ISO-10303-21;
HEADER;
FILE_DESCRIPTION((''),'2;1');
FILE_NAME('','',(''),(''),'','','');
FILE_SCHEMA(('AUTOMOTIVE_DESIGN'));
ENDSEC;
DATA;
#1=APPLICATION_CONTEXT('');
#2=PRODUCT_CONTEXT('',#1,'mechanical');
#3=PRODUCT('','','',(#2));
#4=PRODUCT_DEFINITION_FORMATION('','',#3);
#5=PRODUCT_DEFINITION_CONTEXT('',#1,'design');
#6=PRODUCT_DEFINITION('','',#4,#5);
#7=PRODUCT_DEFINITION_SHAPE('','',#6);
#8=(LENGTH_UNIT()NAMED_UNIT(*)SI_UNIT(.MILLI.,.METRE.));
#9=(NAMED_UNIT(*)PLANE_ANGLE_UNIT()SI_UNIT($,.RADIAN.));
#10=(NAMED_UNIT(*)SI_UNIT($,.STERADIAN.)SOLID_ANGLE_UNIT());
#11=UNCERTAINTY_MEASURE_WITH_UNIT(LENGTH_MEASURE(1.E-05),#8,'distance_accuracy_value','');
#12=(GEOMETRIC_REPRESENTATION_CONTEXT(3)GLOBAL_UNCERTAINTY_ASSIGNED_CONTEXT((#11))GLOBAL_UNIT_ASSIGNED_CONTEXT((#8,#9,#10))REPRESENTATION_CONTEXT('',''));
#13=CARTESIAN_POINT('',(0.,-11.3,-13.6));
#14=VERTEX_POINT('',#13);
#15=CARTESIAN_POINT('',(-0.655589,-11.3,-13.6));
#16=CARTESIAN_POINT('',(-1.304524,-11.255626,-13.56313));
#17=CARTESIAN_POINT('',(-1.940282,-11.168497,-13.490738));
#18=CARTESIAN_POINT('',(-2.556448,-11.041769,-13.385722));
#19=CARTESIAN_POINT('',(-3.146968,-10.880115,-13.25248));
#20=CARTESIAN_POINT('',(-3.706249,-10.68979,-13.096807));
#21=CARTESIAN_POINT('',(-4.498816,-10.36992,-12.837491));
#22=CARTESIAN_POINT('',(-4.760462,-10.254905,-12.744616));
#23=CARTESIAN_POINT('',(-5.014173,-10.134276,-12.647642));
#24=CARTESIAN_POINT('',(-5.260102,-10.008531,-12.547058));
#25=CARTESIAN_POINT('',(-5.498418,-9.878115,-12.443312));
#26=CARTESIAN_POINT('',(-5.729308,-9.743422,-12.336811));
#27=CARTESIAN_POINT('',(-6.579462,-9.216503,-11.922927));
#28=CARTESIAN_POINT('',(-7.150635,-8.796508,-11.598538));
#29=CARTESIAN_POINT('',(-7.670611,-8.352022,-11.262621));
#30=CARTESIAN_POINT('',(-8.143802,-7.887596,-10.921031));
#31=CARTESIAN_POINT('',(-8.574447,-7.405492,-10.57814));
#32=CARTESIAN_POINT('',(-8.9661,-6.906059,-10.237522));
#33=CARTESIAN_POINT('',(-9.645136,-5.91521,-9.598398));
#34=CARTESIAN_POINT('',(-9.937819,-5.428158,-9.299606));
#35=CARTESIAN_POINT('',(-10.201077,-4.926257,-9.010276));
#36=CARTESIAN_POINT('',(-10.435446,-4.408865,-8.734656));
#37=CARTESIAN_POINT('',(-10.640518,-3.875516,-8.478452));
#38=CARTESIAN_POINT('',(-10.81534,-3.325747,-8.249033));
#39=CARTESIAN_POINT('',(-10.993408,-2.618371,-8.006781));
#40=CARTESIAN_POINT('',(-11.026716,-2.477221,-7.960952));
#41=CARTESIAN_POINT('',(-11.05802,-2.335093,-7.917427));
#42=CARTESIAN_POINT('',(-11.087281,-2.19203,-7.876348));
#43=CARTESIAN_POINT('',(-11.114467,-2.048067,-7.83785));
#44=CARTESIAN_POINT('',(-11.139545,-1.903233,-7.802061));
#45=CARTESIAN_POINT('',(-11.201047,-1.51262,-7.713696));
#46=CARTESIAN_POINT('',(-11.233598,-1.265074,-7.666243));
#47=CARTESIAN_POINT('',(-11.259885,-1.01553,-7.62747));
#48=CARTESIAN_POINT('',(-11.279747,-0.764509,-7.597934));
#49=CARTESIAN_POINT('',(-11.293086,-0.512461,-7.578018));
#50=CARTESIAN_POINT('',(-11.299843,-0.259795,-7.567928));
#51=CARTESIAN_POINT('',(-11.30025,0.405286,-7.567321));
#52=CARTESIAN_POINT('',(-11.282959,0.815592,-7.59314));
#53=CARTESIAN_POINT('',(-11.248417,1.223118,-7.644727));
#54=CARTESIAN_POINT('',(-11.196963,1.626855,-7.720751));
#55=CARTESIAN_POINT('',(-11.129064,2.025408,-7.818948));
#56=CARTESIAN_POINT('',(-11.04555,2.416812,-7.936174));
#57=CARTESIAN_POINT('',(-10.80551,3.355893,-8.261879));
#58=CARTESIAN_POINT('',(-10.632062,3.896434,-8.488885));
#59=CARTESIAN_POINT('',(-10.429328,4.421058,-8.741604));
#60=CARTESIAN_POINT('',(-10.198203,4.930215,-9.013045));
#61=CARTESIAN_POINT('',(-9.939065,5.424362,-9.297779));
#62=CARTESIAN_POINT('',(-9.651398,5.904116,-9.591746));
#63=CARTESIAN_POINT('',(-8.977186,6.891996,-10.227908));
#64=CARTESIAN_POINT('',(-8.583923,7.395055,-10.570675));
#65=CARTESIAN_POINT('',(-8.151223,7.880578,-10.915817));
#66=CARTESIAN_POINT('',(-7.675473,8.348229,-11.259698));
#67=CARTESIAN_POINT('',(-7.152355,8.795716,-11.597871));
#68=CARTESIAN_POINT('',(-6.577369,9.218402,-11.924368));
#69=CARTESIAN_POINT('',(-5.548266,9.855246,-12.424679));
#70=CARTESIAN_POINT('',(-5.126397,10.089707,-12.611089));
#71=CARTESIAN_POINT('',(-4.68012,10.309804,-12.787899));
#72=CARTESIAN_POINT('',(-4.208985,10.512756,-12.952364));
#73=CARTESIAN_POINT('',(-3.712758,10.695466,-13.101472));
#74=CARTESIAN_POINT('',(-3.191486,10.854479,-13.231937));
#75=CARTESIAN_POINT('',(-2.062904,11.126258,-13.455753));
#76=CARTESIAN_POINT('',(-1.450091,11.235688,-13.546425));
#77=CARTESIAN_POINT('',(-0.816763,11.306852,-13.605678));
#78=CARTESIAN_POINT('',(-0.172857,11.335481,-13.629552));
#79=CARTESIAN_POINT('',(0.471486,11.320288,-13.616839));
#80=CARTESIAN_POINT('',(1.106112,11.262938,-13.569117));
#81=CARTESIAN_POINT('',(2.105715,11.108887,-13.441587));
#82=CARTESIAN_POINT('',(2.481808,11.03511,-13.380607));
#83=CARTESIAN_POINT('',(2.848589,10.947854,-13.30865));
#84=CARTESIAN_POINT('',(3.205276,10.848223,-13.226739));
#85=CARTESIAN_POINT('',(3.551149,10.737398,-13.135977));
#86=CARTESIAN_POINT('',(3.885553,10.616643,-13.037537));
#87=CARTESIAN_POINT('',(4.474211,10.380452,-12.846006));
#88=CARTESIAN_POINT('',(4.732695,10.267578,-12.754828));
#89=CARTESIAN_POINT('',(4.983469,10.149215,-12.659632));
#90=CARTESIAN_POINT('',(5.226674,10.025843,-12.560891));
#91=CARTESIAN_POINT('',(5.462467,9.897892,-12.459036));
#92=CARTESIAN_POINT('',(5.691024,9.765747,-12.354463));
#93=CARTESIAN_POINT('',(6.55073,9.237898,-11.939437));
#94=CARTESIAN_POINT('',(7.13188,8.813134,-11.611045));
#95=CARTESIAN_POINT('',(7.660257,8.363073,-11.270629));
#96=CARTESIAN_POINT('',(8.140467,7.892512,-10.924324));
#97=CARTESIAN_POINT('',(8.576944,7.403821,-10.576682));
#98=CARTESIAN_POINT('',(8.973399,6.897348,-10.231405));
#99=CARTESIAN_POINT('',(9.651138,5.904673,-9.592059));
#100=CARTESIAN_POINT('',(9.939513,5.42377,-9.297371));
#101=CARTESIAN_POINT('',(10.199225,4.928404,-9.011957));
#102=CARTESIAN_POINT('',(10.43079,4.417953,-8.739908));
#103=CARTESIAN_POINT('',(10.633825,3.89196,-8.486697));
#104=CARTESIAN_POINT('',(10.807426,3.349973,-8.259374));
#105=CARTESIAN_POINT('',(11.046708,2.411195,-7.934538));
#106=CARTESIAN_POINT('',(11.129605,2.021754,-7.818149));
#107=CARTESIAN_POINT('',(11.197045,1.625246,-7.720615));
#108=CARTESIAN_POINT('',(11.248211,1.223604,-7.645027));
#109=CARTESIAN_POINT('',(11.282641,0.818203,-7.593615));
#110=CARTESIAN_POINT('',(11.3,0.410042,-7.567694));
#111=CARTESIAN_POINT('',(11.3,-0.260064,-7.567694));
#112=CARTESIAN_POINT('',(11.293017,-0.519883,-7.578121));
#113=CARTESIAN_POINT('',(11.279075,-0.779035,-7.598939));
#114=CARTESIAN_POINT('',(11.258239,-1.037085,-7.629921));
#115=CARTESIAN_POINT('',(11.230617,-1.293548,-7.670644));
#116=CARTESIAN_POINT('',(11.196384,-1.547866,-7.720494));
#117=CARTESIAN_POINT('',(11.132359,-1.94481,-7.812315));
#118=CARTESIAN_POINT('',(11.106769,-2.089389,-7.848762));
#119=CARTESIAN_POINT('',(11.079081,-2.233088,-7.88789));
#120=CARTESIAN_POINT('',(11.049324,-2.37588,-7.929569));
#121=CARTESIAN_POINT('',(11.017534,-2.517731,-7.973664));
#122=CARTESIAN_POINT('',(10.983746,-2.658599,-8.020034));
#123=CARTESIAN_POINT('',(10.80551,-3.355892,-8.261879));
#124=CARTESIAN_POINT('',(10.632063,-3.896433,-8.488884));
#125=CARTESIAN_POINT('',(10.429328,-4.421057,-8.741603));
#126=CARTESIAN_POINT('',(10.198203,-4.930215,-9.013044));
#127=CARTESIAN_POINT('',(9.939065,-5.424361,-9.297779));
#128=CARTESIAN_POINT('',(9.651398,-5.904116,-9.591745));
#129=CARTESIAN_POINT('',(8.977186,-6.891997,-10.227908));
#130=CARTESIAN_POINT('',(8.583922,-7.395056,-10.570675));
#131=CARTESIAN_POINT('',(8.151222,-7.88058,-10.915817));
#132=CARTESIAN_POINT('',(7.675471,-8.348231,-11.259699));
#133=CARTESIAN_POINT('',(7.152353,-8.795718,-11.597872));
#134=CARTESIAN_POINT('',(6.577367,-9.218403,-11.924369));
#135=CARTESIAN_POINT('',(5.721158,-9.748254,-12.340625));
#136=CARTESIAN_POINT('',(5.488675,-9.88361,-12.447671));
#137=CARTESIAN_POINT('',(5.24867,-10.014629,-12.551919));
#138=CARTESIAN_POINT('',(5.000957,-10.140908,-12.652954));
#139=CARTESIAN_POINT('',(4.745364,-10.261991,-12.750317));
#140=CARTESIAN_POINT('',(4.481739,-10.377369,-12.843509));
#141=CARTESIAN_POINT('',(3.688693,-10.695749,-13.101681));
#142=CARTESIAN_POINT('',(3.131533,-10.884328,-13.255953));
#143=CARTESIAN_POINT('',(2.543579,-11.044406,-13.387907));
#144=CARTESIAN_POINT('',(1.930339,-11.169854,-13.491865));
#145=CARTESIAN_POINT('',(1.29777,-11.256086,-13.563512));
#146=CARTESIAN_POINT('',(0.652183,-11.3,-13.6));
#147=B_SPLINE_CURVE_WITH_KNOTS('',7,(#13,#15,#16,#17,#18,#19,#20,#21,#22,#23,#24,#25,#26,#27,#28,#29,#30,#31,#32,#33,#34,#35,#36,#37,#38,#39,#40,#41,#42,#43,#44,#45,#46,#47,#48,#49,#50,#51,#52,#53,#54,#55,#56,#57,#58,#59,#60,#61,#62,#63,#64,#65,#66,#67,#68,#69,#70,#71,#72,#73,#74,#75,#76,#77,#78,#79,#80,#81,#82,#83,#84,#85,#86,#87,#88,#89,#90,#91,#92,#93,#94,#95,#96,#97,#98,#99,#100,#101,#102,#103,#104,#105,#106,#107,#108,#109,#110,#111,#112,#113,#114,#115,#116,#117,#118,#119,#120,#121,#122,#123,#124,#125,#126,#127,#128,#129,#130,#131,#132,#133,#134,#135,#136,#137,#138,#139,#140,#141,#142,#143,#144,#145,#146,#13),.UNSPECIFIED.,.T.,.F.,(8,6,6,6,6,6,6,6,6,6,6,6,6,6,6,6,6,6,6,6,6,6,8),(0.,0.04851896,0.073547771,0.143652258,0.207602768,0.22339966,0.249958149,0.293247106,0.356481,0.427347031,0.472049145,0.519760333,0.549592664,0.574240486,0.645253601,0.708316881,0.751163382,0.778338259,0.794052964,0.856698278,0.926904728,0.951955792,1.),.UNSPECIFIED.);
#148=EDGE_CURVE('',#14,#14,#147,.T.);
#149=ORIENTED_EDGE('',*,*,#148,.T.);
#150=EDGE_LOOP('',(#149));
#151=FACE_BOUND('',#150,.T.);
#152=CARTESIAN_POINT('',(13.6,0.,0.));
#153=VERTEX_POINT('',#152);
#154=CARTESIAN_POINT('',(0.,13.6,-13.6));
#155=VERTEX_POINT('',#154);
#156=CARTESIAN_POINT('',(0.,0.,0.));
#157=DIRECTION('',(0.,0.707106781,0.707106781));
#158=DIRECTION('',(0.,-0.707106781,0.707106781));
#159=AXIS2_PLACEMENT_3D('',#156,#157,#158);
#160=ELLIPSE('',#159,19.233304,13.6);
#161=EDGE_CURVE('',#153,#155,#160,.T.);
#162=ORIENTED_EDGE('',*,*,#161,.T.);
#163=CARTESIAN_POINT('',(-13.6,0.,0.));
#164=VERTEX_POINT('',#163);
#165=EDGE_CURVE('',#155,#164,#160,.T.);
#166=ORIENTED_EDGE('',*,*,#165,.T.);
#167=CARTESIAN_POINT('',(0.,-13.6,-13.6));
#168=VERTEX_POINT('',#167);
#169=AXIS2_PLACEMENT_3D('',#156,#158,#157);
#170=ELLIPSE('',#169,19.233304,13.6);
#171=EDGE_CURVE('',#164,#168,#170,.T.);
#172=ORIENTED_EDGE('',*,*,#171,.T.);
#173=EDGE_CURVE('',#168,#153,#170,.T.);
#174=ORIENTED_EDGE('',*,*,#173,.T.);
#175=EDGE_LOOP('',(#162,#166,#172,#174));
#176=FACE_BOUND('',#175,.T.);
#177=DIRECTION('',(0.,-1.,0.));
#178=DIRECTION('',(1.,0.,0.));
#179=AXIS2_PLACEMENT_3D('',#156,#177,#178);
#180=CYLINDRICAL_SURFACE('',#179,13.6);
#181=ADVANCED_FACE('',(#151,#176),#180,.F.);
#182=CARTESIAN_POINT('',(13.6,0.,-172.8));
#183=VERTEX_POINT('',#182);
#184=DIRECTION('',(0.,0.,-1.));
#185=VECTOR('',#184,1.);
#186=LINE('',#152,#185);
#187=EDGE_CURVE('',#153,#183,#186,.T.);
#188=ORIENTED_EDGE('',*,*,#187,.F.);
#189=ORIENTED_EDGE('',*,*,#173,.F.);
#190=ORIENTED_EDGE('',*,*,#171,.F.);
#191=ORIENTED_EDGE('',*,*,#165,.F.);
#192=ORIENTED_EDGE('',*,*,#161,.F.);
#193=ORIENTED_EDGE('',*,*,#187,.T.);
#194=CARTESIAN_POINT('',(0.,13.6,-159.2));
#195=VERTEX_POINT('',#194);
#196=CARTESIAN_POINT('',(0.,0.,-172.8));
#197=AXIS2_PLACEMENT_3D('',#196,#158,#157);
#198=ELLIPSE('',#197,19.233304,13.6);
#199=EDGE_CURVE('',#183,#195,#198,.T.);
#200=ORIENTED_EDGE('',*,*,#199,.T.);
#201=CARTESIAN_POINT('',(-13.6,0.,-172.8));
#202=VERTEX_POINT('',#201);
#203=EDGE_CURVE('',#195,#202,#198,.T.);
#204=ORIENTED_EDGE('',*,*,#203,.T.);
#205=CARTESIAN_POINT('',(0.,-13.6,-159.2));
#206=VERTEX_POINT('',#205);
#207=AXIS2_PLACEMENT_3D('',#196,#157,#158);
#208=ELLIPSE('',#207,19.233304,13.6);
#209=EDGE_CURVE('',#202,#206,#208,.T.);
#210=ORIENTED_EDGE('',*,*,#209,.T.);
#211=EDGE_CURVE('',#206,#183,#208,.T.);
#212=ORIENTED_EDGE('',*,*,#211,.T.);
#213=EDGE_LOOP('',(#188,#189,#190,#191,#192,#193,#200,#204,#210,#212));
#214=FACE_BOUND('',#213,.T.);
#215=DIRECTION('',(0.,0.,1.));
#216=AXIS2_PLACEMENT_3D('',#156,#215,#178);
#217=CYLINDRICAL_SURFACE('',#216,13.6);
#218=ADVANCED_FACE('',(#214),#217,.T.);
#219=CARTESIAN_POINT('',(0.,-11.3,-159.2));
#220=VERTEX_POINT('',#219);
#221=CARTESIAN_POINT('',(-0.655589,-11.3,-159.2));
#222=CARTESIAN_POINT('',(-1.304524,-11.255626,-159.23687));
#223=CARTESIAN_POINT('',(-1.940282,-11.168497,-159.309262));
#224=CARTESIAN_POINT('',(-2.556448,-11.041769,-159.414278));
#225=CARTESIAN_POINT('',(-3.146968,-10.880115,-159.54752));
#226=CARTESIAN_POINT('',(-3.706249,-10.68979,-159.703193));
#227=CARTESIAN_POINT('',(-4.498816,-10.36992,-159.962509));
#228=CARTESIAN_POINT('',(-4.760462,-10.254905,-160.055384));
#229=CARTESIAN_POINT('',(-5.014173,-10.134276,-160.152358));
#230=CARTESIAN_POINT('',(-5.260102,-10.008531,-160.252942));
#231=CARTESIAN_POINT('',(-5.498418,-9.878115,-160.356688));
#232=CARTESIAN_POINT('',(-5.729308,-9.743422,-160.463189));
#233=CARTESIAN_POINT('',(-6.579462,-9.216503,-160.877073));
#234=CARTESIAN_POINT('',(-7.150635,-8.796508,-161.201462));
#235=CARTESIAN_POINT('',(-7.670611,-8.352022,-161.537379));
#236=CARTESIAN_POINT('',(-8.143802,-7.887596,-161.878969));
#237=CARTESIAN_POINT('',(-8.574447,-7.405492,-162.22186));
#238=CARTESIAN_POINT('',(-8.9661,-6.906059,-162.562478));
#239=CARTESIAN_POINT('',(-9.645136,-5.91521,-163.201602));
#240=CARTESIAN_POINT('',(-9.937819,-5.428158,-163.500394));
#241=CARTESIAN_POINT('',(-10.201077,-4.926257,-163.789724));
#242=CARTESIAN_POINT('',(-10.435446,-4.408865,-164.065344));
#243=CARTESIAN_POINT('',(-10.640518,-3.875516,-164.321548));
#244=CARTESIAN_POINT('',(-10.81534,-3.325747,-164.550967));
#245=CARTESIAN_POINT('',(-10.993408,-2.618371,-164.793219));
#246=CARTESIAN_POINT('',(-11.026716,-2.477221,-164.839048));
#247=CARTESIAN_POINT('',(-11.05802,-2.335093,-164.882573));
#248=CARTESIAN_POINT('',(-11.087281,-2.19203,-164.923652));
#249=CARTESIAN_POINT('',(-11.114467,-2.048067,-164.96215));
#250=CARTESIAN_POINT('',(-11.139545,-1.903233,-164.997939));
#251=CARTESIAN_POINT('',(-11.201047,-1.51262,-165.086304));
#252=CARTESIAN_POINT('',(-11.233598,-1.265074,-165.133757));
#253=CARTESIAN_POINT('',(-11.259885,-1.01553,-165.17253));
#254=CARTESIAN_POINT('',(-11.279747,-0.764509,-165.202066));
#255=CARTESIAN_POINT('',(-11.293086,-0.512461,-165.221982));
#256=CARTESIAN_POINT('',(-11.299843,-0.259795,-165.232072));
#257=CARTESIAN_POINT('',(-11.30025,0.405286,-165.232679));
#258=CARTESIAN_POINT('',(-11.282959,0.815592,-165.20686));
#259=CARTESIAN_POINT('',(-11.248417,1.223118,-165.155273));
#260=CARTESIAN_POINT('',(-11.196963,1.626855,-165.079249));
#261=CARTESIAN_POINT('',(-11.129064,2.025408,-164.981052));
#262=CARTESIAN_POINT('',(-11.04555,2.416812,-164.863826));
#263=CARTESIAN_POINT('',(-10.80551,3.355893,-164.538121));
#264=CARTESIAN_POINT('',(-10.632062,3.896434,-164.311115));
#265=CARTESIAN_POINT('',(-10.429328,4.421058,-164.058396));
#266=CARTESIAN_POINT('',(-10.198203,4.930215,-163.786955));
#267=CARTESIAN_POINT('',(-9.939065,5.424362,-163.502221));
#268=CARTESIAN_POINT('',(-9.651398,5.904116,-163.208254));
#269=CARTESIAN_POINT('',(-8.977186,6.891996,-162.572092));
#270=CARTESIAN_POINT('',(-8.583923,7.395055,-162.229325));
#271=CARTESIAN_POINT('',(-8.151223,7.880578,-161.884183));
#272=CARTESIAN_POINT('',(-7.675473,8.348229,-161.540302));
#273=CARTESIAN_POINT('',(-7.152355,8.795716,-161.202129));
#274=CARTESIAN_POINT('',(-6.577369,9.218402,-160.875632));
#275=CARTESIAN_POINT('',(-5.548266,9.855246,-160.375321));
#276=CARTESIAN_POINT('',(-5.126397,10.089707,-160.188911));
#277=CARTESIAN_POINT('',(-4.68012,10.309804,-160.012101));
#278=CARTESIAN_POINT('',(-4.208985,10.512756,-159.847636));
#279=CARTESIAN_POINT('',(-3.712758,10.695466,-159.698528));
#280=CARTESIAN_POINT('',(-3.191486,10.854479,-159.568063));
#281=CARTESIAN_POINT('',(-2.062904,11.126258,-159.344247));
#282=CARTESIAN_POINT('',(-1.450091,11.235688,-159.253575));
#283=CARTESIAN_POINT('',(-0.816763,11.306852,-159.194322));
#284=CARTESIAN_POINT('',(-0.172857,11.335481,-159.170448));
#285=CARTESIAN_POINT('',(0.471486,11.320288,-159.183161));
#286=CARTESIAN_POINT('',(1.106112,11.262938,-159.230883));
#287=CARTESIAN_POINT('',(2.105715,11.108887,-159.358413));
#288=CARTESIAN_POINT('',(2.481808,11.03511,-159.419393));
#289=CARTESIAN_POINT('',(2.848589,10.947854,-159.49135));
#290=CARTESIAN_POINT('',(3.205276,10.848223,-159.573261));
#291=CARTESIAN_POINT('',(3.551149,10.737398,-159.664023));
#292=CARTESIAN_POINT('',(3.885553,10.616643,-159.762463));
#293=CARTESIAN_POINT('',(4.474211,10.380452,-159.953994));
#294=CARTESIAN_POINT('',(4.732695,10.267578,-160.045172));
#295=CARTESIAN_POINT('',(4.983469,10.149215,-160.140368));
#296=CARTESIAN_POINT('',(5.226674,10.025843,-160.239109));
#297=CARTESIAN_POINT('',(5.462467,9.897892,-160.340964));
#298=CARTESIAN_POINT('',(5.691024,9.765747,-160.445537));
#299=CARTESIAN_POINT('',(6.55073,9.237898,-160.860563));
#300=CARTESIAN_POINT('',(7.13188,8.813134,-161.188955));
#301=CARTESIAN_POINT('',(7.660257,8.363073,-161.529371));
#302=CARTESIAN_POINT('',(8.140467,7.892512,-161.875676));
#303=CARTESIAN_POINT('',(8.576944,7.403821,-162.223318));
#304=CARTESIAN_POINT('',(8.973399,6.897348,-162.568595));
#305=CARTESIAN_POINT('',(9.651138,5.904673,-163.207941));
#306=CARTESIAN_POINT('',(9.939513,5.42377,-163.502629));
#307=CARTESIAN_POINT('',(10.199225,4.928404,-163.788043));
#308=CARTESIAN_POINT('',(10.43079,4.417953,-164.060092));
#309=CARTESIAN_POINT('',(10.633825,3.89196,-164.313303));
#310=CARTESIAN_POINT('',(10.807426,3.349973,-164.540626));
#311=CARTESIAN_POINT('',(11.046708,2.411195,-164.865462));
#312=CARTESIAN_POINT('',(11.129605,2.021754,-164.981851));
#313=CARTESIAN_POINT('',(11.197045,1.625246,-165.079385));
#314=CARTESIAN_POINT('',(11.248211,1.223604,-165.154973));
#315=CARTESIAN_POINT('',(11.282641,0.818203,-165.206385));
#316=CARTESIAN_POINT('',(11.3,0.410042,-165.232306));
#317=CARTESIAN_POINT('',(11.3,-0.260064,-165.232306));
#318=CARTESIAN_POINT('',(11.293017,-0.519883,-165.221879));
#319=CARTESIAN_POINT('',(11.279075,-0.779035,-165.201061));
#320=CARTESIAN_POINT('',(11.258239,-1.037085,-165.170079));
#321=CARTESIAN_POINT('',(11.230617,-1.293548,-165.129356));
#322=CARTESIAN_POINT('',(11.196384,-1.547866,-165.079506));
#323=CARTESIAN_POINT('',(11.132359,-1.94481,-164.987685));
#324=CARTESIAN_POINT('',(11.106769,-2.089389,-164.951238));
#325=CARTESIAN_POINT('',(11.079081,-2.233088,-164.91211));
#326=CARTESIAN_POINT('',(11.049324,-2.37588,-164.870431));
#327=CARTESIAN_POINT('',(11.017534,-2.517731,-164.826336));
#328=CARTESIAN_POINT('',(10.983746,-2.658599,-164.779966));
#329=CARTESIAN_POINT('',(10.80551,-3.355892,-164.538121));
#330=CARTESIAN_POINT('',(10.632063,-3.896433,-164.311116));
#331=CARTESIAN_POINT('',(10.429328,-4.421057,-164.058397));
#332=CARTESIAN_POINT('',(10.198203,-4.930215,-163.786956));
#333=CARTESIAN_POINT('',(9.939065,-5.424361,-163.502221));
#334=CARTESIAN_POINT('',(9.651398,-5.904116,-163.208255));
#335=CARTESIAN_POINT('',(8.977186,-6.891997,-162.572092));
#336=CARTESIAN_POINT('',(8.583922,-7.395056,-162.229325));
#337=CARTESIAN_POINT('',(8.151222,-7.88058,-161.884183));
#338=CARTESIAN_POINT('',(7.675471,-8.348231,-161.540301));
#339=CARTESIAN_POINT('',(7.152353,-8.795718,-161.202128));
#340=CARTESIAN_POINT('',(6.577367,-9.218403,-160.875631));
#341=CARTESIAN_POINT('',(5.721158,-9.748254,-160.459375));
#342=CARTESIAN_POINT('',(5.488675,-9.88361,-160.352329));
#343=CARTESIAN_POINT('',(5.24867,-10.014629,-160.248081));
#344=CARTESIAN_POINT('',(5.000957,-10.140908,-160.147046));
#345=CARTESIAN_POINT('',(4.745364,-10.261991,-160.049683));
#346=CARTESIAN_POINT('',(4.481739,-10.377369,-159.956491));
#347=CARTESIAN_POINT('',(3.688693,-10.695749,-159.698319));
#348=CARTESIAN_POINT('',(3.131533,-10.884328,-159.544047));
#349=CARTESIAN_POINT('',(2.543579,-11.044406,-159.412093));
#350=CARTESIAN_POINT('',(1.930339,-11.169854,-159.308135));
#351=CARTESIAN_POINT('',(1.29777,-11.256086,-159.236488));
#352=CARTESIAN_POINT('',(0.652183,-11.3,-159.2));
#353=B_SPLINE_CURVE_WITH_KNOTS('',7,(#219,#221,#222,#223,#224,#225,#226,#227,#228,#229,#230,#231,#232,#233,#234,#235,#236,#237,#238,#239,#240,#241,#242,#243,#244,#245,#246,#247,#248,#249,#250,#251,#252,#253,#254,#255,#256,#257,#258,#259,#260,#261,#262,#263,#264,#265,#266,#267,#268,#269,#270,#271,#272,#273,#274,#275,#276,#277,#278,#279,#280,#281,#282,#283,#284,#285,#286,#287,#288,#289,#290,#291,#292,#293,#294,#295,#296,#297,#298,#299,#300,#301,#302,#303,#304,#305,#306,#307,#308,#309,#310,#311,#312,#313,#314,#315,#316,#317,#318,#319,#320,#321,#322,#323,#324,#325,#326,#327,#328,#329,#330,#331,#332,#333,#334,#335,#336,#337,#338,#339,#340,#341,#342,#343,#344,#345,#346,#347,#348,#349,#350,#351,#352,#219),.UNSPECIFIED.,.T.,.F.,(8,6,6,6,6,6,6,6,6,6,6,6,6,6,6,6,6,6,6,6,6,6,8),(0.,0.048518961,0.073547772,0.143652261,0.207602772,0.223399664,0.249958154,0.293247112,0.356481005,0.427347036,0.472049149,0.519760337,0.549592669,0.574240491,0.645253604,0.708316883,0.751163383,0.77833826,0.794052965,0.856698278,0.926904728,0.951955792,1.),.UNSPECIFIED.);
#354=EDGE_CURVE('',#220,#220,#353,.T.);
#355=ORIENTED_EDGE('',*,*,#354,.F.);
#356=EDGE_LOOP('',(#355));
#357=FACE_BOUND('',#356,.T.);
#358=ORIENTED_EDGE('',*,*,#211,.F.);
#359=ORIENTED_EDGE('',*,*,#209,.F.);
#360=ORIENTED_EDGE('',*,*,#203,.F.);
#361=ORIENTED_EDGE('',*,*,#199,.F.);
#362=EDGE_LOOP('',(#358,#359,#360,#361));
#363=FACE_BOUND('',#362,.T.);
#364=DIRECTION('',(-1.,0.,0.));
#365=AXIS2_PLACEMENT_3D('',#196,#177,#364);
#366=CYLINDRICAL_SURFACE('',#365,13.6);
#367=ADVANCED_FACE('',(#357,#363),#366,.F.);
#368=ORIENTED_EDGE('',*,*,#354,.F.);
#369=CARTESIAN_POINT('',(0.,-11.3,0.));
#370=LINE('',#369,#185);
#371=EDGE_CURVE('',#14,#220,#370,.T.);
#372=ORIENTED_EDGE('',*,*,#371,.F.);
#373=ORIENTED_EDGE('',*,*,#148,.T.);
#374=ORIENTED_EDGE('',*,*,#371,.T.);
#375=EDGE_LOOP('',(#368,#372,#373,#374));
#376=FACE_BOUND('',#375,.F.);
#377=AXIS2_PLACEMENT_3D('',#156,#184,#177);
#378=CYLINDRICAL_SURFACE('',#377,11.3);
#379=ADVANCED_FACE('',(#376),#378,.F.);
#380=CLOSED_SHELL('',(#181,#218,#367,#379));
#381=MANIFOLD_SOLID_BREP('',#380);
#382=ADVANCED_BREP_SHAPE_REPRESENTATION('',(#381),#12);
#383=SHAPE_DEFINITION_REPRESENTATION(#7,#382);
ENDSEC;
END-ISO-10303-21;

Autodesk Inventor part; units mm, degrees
ref_plane "YZ Plane" through (0, 0, 0) normal (1, 0, 0) x (0, 1, 0)
ref_plane "XY Plane" through (0, 0, 0) normal (0, 0, 1) x (1, 0, 0)
sketch "スケッチ1" plane through (0, 0, 0) normal (0, 0, 1) x (1, 0, 0)
  circle A0 centre (0, 0) radius 13.6
  dimension "d0" = 27.2
extrude "押し出し1" add sketch "スケッチ1" against normal blind 172.8
sketch "スケッチ3" plane through (0, 0, 0) normal (0, 0, 1) x (1, 0, 0)
  circle A0 centre (0, 0) radius 13.6 projected
hole "穴1" at (0, 0, 0) direction (0, 0, -1) diameter 22.6 end through all
ref_plane "作業平面1" through (0, 0, 0) normal (0, 1, 0) x (-1, 0, 0)
sketch "スケッチ4" plane through (0, 0, 0) normal (0, 1, 0) x (-1, 0, 0)
  line L0 (-13.6, 0) -> (13.6, 0) projected
  arc A0 (-13.6, 0) -> (13.6, 0) centre (0, 0) ccw
  line L1 (13.6, 0) -> (-13.6, 0)
extrude "押し出し3" cut sketch "スケッチ4" along normal mid plane 27.2
sketch "スケッチ5" plane through (0, 0, 0) normal (0, 1, 0) x (-1, 0, 0)
  line L0 (-13.6, -172.8) -> (13.6, -172.8) projected
  arc A0 (13.6, -172.8) -> (-13.6, -172.8) centre (0, -172.8) ccw
  line L1 (-13.6, -172.8) -> (13.6, -172.8)
  point P0 (0, 0)
extrude "押し出し4" cut sketch "スケッチ5" along normal mid plane 27.2
properties part number "縦のパイプ"
